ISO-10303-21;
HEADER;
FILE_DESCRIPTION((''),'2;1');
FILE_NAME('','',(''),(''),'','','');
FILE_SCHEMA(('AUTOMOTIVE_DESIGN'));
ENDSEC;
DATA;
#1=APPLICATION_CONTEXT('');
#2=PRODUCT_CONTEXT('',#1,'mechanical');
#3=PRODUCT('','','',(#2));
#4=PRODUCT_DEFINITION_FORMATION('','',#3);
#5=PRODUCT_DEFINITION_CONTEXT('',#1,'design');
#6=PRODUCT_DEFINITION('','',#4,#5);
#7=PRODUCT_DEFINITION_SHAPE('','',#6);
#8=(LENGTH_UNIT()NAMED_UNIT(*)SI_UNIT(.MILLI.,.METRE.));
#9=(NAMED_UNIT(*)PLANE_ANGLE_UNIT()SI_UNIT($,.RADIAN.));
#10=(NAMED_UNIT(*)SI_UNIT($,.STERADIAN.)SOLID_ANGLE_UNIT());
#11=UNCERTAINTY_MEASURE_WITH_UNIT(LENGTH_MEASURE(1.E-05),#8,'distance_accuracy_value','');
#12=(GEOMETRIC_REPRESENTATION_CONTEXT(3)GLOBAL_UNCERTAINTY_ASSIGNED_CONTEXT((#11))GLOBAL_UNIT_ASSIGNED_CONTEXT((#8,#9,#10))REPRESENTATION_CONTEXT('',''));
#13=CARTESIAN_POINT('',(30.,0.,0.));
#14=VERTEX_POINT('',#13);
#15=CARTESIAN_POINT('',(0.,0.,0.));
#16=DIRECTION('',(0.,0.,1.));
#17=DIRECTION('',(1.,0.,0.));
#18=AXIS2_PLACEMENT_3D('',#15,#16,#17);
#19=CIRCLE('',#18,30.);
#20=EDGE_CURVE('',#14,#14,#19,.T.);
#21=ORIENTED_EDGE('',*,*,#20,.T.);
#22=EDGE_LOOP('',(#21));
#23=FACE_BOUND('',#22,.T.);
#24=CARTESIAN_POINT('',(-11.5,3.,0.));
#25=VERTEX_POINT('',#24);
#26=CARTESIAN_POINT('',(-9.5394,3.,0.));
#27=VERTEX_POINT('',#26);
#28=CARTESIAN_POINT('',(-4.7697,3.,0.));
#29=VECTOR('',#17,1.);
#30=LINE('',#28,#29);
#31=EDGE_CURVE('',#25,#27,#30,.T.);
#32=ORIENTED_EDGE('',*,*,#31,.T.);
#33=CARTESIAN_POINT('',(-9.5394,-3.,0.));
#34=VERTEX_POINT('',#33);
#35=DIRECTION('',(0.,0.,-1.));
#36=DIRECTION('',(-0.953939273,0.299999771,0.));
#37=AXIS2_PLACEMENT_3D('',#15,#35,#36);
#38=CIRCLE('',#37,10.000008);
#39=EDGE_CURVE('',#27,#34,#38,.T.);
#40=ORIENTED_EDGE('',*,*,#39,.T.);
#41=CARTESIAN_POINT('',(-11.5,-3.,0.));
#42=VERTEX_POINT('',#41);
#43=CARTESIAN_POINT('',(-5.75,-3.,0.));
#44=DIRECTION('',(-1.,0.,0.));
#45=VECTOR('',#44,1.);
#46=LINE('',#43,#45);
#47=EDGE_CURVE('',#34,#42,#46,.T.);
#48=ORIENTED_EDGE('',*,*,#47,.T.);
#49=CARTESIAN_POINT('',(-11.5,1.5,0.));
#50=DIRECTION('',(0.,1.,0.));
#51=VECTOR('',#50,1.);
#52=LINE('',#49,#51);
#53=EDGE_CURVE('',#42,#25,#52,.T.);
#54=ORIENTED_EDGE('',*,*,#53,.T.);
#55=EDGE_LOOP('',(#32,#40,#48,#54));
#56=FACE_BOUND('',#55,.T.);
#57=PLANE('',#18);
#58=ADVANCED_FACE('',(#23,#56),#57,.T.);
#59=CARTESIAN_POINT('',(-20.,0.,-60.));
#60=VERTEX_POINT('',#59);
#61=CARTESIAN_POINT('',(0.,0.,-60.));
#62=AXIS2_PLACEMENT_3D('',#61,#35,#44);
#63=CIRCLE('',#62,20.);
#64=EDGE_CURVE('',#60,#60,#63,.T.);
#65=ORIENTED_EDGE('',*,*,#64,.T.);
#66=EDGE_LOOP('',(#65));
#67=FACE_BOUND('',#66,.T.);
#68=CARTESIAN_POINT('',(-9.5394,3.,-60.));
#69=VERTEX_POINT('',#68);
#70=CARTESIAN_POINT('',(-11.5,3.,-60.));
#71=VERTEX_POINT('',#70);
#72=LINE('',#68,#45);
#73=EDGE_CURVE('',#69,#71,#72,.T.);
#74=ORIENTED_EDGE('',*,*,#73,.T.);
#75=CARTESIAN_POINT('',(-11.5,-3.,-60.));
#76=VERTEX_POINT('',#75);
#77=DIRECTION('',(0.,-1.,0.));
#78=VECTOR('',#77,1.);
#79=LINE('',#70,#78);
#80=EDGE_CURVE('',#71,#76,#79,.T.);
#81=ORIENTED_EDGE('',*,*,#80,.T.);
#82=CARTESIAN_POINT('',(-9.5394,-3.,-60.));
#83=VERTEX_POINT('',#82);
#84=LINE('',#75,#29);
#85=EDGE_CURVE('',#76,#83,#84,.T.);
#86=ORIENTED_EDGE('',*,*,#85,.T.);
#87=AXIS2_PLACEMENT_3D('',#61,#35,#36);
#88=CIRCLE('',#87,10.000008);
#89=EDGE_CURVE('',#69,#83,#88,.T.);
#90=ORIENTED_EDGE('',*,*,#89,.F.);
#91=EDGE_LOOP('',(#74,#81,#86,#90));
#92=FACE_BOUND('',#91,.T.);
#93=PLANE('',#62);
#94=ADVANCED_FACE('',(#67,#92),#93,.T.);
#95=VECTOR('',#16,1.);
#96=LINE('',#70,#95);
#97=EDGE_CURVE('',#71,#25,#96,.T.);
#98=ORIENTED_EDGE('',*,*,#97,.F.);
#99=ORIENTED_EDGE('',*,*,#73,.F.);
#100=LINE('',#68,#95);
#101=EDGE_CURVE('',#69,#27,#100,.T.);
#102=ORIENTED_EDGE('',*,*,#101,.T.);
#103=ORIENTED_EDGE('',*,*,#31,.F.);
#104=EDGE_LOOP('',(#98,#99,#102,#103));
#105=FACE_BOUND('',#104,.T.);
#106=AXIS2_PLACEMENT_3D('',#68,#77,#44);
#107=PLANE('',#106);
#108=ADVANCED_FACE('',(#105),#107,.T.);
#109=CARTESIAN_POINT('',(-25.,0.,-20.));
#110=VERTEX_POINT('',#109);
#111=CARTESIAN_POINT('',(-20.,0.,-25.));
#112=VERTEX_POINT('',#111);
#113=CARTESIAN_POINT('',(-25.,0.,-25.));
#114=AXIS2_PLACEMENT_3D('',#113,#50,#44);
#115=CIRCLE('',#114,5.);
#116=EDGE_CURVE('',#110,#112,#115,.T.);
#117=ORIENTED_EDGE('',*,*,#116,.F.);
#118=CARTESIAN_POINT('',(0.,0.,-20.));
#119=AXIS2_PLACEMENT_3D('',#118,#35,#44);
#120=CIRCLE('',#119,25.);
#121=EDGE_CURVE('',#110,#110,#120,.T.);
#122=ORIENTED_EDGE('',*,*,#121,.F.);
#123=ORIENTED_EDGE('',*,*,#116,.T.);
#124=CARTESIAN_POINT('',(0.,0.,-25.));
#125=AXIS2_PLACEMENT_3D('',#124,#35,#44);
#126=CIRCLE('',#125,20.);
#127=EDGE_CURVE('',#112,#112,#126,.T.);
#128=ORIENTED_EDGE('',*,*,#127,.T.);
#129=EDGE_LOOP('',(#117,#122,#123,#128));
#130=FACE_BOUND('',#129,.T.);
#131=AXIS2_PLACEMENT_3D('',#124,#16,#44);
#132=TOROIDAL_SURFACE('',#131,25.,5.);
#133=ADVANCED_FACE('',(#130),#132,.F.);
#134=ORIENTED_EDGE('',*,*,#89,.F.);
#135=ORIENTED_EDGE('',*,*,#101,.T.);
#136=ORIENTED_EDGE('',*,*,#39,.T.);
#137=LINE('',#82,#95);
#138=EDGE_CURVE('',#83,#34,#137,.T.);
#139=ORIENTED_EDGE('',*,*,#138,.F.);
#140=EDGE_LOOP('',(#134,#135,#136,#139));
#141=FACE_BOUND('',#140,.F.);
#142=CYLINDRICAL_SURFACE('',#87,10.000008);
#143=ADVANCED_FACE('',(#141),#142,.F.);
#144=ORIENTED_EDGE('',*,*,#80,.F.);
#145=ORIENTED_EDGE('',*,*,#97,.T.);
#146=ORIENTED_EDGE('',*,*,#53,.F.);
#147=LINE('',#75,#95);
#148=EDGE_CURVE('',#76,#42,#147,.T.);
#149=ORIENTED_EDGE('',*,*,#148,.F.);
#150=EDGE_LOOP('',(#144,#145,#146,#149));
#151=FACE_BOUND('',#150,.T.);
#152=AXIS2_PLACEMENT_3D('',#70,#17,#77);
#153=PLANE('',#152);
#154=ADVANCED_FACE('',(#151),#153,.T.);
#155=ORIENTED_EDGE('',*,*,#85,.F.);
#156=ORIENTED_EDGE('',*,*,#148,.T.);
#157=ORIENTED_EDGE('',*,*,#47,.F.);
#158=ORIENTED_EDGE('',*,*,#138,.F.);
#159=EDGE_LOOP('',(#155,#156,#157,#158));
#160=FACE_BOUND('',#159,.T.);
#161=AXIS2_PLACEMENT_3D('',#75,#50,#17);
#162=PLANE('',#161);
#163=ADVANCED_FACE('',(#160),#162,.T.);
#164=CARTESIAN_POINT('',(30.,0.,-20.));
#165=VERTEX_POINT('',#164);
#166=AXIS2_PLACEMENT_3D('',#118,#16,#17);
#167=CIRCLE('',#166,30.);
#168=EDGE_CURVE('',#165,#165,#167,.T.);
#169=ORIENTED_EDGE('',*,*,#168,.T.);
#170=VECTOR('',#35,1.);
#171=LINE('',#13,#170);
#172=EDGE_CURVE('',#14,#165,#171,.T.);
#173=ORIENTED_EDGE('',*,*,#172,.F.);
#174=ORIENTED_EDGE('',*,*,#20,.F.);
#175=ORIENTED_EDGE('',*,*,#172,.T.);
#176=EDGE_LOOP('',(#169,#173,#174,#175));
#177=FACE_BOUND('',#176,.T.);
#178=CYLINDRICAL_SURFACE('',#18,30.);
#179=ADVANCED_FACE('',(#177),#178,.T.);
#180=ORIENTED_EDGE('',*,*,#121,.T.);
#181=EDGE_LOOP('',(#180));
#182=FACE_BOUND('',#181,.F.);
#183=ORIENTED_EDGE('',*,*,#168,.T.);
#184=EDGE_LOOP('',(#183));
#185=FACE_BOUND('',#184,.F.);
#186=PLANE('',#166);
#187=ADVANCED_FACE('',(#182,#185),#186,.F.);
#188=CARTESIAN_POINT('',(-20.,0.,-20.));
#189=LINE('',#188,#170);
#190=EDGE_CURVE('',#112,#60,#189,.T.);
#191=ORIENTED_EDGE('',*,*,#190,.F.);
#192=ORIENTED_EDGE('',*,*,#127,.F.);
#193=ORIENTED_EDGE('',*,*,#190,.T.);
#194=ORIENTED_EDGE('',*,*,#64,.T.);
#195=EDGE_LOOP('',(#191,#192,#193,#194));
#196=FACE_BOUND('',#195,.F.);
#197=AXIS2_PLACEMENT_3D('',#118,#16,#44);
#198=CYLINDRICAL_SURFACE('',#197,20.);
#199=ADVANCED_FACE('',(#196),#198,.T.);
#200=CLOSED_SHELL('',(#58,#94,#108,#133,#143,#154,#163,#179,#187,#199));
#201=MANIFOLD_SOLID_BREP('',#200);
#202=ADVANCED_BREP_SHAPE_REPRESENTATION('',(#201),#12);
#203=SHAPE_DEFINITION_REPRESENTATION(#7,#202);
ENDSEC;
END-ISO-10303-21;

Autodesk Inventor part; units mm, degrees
ref_plane "YZ Plane" through (0, 0, 0) normal (1, 0, 0) x (0, 1, 0)
ref_plane "XZ Plane" through (0, 0, 0) normal (0, 1, 0) x (-1, 0, 0)
ref_plane "XY Plane" through (0, 0, 0) normal (0, 0, 1) x (1, 0, 0)
sketch "Эскиз1" plane through (0, 0, 0) normal (0, 0, 1) x (1, 0, 0)
  circle A0 centre (0, 0) radius 30
  dimension "d0" = 60
extrude "Выдавливание1" add sketch "Эскиз1" against normal blind 20
sketch "Эскиз2" plane through (0, 0, -20) normal (0, 0, -1) x (-1, 0, 0)
  circle A0 centre (0, 0) radius 30 projected
  circle A1 centre (0, 0) radius 20
  dimension "d3" = 40
extrude "Выдавливание2" add sketch "Эскиз2" along normal blind 40 contours A1
sketch "Эскиз3" plane through (0, 0, -60) normal (0, 0, -1) x (-1, 0, 0)
  circle A0 centre (0, 0) radius 20 projected
  arc A1 (9.5394, 3) -> (9.5394, -3) centre (0, 0) ccw
  line L0 (9.5394, 3) -> (11.5, 3)
  line L1 (11.5, 3) -> (11.5, -3)
  line L2 (11.5, -3) -> (9.5394, -3)
  dimension "d6" = 20
  dimension "d8" = 11.5
  dimension "d9" = 3
  dimension "d10" = 3
extrude "Выдавливание3" cut sketch "Эскиз3" against normal through all contours L0 L1 L2 A1
fillet "Сопряжение2" radius 5 1 edges at (20, 0, -20)
properties part number "Колесо"
